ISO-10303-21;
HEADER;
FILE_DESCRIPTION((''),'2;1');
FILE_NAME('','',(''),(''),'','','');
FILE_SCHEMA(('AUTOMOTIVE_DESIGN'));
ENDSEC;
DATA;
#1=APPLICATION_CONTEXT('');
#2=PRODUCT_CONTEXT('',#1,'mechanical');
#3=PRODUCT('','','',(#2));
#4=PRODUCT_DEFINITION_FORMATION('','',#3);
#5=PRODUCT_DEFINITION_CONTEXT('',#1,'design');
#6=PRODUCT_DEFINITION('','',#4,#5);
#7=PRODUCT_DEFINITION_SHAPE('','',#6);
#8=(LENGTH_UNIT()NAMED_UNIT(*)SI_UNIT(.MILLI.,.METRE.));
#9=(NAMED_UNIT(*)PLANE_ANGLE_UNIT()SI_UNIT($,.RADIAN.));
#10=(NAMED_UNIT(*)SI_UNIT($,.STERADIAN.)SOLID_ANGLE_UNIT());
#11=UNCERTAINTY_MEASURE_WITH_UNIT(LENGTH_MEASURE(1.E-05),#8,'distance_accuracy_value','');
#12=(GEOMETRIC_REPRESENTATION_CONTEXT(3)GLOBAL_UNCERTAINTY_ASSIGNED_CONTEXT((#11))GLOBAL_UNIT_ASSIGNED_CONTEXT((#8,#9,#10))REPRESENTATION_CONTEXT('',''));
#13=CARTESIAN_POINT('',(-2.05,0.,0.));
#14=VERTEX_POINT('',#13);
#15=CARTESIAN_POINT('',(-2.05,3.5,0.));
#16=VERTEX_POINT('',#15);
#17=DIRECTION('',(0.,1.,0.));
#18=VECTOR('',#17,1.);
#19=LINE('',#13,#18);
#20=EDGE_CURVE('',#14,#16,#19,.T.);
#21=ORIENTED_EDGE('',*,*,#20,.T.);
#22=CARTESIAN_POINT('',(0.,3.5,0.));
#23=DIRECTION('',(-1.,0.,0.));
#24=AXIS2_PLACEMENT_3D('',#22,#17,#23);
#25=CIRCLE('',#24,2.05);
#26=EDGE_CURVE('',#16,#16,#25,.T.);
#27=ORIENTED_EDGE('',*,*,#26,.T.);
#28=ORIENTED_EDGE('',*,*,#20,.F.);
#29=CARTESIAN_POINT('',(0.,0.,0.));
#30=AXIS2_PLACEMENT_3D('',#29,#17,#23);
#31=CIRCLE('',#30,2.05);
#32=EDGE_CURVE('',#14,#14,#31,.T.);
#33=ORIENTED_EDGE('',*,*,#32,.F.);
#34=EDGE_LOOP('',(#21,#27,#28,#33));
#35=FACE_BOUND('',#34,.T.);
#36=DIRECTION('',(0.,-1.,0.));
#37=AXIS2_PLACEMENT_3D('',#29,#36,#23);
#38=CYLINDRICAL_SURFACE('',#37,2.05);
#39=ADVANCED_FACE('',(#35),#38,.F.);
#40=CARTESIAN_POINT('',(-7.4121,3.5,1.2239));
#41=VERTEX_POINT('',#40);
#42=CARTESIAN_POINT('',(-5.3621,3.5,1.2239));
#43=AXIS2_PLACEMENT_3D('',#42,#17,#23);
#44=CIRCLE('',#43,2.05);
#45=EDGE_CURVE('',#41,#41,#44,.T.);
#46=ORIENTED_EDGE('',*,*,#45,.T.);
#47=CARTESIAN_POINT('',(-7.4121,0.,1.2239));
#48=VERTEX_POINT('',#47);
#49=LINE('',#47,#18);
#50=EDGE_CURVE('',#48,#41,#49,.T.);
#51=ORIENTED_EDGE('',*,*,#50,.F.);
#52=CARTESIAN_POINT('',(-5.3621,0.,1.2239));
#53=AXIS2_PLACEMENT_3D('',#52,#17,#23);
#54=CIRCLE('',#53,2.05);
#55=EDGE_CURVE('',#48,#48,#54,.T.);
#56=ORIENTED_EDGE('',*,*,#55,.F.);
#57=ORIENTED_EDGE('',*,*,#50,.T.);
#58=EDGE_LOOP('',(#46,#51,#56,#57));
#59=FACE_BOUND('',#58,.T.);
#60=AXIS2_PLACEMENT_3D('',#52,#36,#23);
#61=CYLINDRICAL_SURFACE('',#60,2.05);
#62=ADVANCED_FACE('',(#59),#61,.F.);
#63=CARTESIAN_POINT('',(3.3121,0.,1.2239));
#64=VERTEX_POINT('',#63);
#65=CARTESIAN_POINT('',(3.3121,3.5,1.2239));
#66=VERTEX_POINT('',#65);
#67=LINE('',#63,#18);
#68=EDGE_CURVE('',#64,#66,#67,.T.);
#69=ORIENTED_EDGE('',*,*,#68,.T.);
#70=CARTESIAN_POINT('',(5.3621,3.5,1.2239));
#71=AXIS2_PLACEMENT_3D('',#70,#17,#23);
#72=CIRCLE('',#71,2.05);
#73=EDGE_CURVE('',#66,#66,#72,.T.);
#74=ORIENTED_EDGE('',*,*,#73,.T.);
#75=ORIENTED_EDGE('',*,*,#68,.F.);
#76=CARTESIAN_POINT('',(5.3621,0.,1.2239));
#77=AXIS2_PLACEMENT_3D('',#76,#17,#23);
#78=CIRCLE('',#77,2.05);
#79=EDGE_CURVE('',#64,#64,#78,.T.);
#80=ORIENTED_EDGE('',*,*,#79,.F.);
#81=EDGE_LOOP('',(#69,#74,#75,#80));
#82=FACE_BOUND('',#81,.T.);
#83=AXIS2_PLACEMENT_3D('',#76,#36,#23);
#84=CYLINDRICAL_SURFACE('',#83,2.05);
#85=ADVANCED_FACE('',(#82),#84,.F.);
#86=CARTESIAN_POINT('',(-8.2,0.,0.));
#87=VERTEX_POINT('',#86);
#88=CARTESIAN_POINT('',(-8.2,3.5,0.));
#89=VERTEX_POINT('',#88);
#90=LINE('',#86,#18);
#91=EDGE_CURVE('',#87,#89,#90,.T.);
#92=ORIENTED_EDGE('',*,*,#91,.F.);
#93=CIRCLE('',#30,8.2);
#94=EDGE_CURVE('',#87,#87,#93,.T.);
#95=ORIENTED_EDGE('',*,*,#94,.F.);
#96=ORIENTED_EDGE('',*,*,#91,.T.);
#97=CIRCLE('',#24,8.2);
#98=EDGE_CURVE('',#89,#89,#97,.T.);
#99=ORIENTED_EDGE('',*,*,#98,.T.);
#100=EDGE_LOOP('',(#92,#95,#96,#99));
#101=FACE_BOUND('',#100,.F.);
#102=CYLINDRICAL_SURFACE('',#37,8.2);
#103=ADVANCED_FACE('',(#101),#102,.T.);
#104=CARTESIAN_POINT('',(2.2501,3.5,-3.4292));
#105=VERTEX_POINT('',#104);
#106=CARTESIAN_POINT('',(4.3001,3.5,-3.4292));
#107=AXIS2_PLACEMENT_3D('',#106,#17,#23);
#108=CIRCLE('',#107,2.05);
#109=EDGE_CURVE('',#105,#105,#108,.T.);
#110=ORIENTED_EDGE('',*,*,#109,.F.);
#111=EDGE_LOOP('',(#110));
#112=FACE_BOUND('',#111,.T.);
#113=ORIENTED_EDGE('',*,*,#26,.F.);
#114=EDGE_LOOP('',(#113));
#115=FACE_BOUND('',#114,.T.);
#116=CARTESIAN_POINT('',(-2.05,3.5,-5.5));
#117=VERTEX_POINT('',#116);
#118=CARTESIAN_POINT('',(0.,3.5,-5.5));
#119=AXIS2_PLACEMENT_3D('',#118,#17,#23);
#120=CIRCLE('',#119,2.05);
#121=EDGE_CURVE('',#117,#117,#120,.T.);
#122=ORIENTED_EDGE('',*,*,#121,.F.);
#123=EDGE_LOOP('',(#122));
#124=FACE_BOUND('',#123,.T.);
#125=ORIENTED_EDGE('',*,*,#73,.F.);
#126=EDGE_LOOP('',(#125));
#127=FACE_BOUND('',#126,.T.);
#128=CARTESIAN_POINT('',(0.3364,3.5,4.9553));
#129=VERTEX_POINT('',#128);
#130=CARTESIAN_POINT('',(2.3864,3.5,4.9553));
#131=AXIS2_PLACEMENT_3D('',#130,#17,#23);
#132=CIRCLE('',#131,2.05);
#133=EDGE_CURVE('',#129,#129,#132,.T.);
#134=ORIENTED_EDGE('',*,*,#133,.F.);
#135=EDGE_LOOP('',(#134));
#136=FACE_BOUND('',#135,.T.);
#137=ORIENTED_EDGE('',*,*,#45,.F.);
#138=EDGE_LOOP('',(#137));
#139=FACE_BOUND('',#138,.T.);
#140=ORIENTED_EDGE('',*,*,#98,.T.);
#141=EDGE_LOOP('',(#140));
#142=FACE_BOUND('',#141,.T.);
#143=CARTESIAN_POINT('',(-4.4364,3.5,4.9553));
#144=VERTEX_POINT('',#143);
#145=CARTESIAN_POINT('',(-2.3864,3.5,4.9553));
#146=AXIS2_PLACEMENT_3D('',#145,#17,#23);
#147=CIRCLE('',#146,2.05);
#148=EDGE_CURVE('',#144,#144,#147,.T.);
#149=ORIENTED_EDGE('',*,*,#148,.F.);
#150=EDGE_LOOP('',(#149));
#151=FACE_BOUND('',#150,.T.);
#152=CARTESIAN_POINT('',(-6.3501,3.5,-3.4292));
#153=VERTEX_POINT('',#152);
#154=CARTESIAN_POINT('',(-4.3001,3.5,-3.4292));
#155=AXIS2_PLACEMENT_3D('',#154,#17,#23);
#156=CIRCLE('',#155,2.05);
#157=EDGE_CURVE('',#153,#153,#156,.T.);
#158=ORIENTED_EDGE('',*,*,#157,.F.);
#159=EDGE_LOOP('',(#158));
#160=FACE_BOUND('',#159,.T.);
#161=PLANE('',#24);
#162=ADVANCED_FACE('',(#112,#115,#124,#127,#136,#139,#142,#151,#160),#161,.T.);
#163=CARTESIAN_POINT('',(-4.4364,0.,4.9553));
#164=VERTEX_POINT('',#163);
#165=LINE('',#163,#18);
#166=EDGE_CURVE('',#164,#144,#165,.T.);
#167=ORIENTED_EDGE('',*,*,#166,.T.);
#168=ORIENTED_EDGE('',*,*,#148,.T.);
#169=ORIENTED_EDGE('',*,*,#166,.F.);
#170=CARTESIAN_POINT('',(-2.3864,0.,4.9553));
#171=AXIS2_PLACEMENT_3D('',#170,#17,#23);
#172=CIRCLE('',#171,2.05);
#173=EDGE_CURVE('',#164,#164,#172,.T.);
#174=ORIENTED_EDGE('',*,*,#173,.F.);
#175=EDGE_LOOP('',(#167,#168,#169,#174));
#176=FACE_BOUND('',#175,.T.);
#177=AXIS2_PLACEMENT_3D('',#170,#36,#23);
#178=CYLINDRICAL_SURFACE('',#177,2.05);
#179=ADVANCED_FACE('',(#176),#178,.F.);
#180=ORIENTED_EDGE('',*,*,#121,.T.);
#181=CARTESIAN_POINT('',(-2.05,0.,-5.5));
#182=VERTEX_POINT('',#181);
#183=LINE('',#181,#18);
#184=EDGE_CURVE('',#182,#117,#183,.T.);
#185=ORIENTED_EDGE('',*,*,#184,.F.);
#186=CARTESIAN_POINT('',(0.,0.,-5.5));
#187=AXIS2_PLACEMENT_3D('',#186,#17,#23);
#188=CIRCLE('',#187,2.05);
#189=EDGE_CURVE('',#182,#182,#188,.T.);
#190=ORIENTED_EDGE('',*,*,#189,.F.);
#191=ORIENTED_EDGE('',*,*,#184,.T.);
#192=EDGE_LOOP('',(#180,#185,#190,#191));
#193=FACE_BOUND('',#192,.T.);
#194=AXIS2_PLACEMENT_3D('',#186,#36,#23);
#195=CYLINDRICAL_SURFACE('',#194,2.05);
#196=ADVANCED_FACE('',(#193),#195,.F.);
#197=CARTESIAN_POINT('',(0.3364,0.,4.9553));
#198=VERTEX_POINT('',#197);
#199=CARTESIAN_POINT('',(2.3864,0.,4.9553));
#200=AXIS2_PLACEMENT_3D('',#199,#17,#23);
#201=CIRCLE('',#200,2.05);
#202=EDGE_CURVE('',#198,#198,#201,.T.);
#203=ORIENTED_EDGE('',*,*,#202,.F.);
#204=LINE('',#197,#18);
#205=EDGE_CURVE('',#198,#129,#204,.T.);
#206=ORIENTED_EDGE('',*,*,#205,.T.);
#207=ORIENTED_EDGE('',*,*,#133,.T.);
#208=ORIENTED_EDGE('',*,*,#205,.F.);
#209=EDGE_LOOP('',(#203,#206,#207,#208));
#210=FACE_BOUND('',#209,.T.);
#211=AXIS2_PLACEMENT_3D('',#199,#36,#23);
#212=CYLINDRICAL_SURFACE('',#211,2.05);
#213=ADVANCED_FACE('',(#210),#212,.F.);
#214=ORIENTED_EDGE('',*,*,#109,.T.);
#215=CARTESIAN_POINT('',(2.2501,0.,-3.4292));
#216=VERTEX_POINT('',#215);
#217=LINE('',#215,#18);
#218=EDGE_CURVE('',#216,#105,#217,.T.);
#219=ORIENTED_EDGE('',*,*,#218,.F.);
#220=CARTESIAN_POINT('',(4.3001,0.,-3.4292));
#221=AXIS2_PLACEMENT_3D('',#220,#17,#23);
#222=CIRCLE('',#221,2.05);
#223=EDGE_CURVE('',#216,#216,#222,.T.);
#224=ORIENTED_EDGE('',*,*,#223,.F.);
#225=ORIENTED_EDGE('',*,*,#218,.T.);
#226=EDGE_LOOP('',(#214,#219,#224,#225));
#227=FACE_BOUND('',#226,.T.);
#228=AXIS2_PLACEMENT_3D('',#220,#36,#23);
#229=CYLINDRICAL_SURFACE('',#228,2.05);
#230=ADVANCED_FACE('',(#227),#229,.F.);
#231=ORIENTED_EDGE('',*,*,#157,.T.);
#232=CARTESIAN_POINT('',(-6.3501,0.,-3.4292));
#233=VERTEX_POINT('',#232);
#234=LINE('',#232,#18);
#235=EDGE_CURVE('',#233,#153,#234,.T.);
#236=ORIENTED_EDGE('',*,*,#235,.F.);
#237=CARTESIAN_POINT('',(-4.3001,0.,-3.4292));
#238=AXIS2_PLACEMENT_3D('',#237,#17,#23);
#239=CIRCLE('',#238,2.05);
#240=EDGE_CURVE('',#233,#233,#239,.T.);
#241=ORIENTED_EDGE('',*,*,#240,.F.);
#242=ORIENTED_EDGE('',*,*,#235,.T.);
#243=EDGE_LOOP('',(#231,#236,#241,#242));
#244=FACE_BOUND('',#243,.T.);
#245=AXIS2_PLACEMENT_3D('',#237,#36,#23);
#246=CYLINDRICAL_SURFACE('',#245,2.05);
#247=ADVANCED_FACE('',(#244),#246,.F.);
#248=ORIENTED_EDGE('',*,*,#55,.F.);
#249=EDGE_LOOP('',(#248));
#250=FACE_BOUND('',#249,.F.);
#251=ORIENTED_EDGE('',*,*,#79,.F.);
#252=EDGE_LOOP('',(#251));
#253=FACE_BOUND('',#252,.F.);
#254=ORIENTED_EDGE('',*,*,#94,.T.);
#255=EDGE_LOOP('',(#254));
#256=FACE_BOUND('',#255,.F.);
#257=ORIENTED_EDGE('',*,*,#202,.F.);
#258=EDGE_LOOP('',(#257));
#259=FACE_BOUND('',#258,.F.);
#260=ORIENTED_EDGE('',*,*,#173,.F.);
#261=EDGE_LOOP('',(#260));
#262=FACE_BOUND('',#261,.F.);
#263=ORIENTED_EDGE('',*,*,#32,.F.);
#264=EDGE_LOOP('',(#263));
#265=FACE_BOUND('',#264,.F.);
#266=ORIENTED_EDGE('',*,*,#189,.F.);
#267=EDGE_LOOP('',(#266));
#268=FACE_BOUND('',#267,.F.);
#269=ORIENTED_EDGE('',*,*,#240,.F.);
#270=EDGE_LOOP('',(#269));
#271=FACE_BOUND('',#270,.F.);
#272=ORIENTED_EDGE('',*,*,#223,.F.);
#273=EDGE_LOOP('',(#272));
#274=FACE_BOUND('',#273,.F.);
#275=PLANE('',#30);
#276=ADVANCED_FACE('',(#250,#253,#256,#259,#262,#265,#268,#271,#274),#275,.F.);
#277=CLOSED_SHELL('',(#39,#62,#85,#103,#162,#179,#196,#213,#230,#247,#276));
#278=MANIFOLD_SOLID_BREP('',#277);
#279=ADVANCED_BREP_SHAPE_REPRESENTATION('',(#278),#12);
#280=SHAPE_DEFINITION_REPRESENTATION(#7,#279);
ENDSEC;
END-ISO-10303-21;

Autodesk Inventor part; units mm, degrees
ref_plane "YZ Plane" through (0, 0, 0) normal (1, 0, 0) x (0, 1, 0)
ref_plane "XZ Plane" through (0, 0, 0) normal (0, 1, 0) x (-1, 0, 0)
ref_plane "XY Plane" through (0, 0, 0) normal (0, 0, 1) x (1, 0, 0)
sketch "스케치1" plane through (0, 0, 0) normal (0, 1, 0) x (-1, 0, 0)
  circle A0 centre (0, 0) radius 2.05
  line L0 (0, 0) -> (0, -15.8678) construction
  circle A1 centre (0, -5.5) radius 2.05
  line L1 (0, 0) -> (12.4059, -9.8934) construction
  circle A2 centre (4.3001, -3.4292) radius 2.05
  line L2 (0, 0) -> (15.4699, 3.5309) construction
  circle A3 centre (5.3621, 1.2239) radius 2.05
  line L3 (0, 0) -> (6.8848, 14.2964) construction
  circle A4 centre (2.3864, 4.9553) radius 2.05
  line L4 (0, 0) -> (-6.8848, 14.2964) construction
  circle A5 centre (-2.3864, 4.9553) radius 2.05
  line L5 (0, 0) -> (-15.4699, 3.5309) construction
  circle A6 centre (-5.3621, 1.2239) radius 2.05
  line L6 (0, 0) -> (-12.4059, -9.8934) construction
  circle A7 centre (-4.3001, -3.4292) radius 2.05
  circle A8 centre (0, 0) radius 8.2
  dimension "d0" = 4.1
  dimension "d2" = 4.1
  dimension "d3" = 5.5
  dimension "d6" = 360
  dimension "d8" = 16.4
extrude "돌출1" add sketch "스케치1" along normal blind 3.5
properties part number "braided_terminal_end_4.1mm_8ea"
